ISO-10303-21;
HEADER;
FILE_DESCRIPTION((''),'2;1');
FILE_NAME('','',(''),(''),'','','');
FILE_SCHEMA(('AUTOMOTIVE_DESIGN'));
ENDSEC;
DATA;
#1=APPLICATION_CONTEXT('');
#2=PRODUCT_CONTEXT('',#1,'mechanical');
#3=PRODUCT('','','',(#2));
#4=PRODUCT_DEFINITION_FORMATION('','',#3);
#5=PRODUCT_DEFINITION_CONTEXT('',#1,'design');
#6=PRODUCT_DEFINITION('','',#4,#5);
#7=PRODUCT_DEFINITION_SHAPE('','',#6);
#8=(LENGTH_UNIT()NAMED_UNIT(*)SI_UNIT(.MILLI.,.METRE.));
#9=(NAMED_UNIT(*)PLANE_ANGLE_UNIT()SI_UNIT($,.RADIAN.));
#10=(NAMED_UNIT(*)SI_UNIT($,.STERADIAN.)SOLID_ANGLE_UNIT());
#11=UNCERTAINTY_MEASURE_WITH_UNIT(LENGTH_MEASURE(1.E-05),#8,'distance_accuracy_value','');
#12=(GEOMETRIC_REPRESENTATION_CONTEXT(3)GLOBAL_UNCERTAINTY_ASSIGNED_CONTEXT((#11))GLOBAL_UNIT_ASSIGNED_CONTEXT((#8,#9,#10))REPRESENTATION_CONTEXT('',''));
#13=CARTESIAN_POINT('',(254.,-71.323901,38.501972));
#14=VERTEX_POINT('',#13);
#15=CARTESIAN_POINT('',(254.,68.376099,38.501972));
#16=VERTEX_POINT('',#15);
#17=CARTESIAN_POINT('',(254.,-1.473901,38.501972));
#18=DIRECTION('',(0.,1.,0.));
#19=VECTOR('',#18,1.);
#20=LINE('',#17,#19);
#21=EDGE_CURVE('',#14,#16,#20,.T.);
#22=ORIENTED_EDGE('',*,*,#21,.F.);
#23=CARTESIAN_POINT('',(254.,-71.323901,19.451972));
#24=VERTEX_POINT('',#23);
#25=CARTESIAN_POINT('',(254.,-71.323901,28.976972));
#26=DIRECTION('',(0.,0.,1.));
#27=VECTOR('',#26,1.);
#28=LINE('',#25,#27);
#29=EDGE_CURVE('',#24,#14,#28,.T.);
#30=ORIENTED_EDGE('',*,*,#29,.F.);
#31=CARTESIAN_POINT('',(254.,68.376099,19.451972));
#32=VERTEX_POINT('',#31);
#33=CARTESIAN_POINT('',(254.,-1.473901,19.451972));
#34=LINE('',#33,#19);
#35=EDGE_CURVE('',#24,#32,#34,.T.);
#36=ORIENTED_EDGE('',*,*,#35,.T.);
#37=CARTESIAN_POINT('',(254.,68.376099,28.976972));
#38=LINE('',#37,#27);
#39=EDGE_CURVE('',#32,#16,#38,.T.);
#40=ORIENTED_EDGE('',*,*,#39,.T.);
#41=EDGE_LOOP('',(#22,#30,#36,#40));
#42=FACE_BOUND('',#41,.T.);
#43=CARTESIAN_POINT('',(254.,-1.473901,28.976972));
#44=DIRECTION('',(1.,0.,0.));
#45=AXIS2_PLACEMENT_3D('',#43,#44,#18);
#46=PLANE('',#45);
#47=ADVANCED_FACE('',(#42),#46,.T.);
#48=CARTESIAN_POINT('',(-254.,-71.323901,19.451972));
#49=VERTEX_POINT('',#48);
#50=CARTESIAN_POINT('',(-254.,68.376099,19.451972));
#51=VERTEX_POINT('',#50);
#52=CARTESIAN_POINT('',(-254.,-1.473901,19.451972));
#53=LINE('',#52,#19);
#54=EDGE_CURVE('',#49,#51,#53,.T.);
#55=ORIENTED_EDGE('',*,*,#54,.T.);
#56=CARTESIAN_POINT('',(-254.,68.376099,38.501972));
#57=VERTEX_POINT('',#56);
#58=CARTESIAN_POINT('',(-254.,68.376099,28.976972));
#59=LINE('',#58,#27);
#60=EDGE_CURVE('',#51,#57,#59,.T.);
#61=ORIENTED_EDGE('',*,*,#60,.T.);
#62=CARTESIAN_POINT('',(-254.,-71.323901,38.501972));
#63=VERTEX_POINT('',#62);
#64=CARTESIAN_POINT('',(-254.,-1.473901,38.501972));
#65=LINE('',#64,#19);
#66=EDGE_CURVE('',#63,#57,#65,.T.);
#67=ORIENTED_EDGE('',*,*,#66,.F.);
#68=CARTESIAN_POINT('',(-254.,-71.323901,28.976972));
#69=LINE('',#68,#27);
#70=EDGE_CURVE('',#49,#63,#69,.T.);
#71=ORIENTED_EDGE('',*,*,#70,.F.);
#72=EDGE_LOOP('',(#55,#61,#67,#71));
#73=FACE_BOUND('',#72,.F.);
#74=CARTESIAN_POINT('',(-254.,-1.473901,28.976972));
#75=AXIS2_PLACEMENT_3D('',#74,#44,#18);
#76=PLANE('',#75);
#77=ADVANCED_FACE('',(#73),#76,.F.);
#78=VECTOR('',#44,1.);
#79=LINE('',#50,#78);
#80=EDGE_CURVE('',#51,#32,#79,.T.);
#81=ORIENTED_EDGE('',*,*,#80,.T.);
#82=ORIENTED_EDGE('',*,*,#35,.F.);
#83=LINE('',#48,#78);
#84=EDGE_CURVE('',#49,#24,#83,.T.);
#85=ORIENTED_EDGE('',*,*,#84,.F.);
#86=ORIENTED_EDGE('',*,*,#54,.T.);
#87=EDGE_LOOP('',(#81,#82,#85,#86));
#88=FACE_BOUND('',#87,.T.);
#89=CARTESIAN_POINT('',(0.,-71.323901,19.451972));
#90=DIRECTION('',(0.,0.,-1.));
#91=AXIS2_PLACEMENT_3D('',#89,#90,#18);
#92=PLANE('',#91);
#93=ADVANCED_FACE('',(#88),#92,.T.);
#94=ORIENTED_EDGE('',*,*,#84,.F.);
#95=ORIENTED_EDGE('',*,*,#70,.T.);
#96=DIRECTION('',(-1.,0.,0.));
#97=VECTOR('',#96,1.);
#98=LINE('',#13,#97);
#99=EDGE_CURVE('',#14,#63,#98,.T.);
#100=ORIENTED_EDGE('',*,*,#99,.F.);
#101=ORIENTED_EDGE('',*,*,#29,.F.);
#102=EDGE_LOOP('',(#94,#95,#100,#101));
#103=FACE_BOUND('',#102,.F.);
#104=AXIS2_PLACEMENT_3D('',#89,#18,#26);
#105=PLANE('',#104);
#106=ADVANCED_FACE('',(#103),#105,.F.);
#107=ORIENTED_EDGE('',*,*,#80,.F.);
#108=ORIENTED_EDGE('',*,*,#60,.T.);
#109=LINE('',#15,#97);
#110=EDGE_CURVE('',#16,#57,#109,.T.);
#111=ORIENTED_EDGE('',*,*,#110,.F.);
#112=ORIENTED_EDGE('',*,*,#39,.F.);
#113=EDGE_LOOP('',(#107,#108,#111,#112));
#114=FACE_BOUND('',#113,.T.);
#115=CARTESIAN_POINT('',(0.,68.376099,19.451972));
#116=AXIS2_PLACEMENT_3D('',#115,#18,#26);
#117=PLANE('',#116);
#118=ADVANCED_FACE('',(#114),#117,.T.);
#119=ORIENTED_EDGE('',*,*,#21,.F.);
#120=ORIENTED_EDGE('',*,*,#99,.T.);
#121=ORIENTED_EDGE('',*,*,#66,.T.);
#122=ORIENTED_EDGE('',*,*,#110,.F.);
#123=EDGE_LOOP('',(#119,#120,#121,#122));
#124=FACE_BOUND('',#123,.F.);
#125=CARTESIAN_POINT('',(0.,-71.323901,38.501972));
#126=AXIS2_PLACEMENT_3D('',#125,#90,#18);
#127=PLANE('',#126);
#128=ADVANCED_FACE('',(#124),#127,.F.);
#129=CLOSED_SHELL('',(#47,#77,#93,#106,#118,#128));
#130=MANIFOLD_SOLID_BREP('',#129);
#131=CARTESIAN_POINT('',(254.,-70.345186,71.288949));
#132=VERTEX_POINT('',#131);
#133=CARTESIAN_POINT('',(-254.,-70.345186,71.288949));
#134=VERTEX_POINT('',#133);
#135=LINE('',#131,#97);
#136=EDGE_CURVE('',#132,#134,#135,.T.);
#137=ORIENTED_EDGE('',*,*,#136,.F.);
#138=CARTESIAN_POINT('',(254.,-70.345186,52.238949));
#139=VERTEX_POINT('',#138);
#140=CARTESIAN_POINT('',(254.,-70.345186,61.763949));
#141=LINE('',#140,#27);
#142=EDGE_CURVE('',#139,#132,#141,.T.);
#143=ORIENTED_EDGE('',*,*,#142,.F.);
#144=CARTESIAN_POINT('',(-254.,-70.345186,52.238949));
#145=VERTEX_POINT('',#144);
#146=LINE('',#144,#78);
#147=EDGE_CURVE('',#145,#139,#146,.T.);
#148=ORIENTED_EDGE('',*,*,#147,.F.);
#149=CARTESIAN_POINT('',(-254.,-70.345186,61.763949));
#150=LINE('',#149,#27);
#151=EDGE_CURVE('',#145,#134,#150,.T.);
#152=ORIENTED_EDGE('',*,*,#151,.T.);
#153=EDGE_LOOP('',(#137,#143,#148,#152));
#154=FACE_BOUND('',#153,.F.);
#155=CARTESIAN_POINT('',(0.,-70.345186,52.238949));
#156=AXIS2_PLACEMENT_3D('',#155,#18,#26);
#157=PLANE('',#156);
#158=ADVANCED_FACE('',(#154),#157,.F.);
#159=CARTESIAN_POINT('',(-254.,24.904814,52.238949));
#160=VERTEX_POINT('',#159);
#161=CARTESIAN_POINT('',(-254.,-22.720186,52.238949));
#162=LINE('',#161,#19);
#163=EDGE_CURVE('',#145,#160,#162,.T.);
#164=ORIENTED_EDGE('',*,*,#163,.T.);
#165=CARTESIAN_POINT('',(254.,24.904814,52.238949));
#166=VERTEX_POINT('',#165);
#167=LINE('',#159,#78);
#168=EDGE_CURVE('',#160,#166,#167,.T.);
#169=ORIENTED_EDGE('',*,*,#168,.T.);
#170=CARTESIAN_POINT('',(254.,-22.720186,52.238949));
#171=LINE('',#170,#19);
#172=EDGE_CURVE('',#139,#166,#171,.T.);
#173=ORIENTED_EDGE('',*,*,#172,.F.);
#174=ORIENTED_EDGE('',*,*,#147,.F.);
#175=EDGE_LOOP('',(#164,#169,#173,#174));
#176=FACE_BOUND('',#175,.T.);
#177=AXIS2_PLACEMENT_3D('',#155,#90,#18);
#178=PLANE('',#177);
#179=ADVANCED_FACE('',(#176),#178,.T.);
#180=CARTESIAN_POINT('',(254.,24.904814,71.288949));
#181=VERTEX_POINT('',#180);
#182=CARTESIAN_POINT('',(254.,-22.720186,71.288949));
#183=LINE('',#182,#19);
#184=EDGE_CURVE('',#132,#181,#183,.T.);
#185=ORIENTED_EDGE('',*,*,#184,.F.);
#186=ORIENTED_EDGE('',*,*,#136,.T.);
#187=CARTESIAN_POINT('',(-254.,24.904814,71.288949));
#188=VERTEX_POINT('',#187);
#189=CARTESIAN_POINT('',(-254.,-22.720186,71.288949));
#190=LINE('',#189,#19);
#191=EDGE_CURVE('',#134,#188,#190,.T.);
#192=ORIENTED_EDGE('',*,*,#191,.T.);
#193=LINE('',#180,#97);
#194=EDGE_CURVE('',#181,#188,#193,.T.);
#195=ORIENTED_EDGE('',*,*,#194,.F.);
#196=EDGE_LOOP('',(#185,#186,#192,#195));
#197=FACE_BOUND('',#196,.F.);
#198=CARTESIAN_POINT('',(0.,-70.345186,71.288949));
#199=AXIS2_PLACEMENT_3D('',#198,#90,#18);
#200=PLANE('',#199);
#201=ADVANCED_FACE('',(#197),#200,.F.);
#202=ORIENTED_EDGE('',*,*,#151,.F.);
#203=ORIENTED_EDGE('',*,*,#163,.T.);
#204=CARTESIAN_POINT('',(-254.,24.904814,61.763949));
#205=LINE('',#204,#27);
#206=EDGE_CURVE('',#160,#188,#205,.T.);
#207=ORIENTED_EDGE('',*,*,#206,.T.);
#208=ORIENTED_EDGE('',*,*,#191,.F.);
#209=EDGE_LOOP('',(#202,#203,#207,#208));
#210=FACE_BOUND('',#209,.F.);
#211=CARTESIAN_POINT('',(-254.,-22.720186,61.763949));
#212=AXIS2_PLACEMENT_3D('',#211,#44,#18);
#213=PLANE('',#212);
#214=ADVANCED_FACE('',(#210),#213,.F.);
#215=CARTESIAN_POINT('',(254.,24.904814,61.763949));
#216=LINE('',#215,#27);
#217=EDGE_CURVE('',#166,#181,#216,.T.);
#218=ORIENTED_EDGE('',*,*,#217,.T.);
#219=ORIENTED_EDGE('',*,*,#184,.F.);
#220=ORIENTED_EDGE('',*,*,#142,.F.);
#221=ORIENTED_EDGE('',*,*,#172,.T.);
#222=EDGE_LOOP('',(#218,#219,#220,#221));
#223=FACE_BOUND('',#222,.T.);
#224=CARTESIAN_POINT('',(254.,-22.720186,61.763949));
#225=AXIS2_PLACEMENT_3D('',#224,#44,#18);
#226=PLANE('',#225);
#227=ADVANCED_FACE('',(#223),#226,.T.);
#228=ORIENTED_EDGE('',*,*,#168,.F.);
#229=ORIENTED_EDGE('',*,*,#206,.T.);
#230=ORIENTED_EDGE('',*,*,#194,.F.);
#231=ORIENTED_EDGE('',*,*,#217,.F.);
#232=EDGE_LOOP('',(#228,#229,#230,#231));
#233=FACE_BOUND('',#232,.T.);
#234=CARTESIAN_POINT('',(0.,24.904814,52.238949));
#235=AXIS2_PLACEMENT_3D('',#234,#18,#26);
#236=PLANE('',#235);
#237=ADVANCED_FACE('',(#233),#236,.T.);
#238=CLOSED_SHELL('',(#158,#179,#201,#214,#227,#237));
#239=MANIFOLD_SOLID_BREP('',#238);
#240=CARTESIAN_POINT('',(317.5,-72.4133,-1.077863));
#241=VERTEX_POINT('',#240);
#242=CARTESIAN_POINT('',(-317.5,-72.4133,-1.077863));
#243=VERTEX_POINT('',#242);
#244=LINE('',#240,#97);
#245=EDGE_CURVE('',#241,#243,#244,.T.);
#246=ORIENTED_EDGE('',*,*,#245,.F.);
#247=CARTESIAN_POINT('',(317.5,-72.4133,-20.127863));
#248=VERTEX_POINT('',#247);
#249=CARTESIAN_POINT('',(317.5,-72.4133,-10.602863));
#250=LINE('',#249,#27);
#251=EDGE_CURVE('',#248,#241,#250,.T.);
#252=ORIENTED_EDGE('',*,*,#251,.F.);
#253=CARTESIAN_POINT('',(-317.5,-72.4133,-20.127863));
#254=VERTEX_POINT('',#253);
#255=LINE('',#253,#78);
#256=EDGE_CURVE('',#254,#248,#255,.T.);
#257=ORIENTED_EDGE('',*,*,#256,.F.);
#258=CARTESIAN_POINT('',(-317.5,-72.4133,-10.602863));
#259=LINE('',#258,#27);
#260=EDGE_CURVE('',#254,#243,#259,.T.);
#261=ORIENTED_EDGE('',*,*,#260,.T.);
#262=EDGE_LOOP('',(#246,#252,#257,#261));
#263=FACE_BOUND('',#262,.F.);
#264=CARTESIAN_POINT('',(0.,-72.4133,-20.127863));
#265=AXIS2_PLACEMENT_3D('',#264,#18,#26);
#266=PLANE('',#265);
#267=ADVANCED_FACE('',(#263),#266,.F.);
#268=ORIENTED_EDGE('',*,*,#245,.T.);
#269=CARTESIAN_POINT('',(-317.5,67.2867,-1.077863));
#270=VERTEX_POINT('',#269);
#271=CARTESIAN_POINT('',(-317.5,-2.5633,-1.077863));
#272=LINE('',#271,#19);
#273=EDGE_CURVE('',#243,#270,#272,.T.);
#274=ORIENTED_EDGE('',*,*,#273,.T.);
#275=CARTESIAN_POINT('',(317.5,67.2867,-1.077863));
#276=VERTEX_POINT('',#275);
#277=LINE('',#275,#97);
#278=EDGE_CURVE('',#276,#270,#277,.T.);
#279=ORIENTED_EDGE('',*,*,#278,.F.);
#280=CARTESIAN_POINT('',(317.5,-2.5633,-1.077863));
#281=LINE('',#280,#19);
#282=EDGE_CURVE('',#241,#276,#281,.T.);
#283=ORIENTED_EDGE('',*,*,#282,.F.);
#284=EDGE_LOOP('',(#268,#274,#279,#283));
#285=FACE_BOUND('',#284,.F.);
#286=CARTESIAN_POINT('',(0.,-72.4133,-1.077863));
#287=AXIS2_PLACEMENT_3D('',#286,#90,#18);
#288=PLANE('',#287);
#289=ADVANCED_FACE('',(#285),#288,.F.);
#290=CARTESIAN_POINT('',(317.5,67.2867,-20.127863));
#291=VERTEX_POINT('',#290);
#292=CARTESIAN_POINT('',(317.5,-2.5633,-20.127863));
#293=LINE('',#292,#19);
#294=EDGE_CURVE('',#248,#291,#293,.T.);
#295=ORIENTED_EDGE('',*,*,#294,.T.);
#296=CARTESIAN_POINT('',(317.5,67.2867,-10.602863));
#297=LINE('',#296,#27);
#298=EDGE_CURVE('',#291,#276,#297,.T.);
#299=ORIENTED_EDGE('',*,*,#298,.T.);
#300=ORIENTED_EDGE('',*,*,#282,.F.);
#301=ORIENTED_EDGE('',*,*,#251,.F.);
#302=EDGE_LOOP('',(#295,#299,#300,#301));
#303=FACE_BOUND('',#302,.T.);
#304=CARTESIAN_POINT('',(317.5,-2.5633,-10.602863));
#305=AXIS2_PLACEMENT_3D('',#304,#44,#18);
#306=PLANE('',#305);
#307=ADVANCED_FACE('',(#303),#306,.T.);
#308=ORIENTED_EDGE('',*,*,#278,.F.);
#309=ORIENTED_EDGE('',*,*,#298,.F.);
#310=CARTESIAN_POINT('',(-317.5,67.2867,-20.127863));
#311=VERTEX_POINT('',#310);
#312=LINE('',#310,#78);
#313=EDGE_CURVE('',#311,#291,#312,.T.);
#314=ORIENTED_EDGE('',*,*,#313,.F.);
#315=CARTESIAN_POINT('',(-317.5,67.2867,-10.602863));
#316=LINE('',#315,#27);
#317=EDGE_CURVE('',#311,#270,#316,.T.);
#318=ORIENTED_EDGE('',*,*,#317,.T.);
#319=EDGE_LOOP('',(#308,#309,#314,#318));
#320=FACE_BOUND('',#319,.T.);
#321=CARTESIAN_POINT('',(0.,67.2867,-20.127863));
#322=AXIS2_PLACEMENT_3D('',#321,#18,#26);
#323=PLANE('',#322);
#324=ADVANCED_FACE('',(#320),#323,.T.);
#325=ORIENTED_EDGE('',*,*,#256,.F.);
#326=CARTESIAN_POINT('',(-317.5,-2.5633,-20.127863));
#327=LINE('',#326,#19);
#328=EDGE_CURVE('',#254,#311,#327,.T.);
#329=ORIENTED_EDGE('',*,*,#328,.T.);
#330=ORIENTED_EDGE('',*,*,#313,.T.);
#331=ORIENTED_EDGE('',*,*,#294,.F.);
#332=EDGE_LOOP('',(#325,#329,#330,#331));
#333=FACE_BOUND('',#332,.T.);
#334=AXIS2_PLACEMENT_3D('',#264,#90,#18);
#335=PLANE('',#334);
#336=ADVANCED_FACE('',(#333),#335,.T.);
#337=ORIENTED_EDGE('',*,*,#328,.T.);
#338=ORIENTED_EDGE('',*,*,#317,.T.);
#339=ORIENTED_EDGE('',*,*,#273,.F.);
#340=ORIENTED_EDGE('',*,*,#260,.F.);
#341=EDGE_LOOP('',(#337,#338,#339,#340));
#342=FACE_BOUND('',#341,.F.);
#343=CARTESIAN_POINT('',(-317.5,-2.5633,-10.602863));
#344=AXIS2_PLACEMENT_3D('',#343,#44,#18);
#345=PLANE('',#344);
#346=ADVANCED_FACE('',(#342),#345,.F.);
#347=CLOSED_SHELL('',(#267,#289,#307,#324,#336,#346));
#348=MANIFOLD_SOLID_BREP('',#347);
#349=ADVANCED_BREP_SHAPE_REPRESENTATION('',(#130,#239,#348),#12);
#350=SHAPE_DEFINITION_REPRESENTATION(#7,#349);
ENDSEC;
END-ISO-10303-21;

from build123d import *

# Parameters (mm, degrees)
F0_W     = 95.25
F0_H     = 19.05
F1_DEPTH = 254
F2_W     = 139.7
F2_H     = 19.05
F3_DEPTH = 254
F4_W     = 139.7
F4_H     = 19.05
F5_DEPTH = 317.5


with BuildPart() as f1:
    # F0 (on Right) → F1 (new body, symmetric)
    with BuildSketch(Plane.YZ):
        with Locations((-22.720186, 61.763949)):
            Rectangle(F0_W, F0_H)
    extrude(amount=F1_DEPTH, both=True)


with BuildPart() as f3:
    # F2 (on Right) → F3 (new body, symmetric)
    with BuildSketch(Plane.YZ):
        with Locations((-1.473901, 28.976972)):
            Rectangle(F2_W, F2_H)
    extrude(amount=F3_DEPTH, both=True)


with BuildPart() as f5:
    # F4 (on Right) → F5 (new body, symmetric)
    with BuildSketch(Plane.YZ):
        with Locations((-2.5633, -10.602863)):
            Rectangle(F4_W, F4_H)
    extrude(amount=F5_DEPTH, both=True)


solid = Compound([f1.part, f3.part, f5.part])
